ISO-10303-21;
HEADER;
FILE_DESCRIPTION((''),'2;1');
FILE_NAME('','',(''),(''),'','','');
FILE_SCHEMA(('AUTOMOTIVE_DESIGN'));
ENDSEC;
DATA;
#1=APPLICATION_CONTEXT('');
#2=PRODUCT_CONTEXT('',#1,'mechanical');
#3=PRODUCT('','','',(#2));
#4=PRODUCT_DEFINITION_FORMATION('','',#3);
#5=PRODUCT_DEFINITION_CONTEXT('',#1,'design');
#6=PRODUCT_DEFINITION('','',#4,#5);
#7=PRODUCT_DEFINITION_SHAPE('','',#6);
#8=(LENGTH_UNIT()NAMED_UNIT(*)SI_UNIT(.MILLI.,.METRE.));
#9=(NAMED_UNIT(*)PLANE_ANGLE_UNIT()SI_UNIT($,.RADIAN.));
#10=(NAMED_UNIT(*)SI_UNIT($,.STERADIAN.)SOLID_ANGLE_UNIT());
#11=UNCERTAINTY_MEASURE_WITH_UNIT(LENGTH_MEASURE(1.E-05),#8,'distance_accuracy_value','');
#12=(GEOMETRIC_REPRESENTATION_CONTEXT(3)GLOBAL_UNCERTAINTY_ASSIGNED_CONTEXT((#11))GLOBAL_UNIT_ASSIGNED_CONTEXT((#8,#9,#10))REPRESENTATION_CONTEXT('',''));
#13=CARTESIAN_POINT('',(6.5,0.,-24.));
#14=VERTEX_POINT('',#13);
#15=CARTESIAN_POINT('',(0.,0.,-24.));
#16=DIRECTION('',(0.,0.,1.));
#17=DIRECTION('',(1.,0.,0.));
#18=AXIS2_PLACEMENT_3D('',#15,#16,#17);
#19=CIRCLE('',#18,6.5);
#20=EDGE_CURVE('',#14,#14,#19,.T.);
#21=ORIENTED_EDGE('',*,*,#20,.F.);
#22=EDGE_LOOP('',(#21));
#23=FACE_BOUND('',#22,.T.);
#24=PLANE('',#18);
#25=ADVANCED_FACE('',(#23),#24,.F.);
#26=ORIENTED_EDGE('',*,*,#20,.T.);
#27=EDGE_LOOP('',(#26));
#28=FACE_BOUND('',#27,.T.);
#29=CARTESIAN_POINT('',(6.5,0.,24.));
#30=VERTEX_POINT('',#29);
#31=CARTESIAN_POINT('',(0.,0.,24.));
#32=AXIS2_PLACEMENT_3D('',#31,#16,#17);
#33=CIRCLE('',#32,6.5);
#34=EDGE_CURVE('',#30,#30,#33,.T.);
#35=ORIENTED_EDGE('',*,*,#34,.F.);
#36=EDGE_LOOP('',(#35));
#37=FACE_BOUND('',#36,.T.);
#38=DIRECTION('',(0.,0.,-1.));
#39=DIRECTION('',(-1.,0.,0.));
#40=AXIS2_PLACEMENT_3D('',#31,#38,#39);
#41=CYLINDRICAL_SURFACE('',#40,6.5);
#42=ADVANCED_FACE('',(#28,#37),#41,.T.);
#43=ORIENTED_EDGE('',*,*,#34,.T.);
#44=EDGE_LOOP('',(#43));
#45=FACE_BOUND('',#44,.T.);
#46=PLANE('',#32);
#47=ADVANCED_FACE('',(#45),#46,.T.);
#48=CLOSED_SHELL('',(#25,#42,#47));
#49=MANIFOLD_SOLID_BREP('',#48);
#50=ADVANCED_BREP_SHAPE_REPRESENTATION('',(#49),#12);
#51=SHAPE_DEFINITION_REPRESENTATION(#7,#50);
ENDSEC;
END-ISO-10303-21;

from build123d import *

# Parameters (mm, degrees)
SKETCH1_R           = 6.5
BOSS_EXTRUDE1_DEPTH = 24


with BuildPart() as part:
    # Sketch1 → Boss-Extrude1 (new body, symmetric)
    with BuildSketch(Plane.XY):
        Circle(SKETCH1_R)
    extrude(amount=BOSS_EXTRUDE1_DEPTH, both=True)


solid = part.part
